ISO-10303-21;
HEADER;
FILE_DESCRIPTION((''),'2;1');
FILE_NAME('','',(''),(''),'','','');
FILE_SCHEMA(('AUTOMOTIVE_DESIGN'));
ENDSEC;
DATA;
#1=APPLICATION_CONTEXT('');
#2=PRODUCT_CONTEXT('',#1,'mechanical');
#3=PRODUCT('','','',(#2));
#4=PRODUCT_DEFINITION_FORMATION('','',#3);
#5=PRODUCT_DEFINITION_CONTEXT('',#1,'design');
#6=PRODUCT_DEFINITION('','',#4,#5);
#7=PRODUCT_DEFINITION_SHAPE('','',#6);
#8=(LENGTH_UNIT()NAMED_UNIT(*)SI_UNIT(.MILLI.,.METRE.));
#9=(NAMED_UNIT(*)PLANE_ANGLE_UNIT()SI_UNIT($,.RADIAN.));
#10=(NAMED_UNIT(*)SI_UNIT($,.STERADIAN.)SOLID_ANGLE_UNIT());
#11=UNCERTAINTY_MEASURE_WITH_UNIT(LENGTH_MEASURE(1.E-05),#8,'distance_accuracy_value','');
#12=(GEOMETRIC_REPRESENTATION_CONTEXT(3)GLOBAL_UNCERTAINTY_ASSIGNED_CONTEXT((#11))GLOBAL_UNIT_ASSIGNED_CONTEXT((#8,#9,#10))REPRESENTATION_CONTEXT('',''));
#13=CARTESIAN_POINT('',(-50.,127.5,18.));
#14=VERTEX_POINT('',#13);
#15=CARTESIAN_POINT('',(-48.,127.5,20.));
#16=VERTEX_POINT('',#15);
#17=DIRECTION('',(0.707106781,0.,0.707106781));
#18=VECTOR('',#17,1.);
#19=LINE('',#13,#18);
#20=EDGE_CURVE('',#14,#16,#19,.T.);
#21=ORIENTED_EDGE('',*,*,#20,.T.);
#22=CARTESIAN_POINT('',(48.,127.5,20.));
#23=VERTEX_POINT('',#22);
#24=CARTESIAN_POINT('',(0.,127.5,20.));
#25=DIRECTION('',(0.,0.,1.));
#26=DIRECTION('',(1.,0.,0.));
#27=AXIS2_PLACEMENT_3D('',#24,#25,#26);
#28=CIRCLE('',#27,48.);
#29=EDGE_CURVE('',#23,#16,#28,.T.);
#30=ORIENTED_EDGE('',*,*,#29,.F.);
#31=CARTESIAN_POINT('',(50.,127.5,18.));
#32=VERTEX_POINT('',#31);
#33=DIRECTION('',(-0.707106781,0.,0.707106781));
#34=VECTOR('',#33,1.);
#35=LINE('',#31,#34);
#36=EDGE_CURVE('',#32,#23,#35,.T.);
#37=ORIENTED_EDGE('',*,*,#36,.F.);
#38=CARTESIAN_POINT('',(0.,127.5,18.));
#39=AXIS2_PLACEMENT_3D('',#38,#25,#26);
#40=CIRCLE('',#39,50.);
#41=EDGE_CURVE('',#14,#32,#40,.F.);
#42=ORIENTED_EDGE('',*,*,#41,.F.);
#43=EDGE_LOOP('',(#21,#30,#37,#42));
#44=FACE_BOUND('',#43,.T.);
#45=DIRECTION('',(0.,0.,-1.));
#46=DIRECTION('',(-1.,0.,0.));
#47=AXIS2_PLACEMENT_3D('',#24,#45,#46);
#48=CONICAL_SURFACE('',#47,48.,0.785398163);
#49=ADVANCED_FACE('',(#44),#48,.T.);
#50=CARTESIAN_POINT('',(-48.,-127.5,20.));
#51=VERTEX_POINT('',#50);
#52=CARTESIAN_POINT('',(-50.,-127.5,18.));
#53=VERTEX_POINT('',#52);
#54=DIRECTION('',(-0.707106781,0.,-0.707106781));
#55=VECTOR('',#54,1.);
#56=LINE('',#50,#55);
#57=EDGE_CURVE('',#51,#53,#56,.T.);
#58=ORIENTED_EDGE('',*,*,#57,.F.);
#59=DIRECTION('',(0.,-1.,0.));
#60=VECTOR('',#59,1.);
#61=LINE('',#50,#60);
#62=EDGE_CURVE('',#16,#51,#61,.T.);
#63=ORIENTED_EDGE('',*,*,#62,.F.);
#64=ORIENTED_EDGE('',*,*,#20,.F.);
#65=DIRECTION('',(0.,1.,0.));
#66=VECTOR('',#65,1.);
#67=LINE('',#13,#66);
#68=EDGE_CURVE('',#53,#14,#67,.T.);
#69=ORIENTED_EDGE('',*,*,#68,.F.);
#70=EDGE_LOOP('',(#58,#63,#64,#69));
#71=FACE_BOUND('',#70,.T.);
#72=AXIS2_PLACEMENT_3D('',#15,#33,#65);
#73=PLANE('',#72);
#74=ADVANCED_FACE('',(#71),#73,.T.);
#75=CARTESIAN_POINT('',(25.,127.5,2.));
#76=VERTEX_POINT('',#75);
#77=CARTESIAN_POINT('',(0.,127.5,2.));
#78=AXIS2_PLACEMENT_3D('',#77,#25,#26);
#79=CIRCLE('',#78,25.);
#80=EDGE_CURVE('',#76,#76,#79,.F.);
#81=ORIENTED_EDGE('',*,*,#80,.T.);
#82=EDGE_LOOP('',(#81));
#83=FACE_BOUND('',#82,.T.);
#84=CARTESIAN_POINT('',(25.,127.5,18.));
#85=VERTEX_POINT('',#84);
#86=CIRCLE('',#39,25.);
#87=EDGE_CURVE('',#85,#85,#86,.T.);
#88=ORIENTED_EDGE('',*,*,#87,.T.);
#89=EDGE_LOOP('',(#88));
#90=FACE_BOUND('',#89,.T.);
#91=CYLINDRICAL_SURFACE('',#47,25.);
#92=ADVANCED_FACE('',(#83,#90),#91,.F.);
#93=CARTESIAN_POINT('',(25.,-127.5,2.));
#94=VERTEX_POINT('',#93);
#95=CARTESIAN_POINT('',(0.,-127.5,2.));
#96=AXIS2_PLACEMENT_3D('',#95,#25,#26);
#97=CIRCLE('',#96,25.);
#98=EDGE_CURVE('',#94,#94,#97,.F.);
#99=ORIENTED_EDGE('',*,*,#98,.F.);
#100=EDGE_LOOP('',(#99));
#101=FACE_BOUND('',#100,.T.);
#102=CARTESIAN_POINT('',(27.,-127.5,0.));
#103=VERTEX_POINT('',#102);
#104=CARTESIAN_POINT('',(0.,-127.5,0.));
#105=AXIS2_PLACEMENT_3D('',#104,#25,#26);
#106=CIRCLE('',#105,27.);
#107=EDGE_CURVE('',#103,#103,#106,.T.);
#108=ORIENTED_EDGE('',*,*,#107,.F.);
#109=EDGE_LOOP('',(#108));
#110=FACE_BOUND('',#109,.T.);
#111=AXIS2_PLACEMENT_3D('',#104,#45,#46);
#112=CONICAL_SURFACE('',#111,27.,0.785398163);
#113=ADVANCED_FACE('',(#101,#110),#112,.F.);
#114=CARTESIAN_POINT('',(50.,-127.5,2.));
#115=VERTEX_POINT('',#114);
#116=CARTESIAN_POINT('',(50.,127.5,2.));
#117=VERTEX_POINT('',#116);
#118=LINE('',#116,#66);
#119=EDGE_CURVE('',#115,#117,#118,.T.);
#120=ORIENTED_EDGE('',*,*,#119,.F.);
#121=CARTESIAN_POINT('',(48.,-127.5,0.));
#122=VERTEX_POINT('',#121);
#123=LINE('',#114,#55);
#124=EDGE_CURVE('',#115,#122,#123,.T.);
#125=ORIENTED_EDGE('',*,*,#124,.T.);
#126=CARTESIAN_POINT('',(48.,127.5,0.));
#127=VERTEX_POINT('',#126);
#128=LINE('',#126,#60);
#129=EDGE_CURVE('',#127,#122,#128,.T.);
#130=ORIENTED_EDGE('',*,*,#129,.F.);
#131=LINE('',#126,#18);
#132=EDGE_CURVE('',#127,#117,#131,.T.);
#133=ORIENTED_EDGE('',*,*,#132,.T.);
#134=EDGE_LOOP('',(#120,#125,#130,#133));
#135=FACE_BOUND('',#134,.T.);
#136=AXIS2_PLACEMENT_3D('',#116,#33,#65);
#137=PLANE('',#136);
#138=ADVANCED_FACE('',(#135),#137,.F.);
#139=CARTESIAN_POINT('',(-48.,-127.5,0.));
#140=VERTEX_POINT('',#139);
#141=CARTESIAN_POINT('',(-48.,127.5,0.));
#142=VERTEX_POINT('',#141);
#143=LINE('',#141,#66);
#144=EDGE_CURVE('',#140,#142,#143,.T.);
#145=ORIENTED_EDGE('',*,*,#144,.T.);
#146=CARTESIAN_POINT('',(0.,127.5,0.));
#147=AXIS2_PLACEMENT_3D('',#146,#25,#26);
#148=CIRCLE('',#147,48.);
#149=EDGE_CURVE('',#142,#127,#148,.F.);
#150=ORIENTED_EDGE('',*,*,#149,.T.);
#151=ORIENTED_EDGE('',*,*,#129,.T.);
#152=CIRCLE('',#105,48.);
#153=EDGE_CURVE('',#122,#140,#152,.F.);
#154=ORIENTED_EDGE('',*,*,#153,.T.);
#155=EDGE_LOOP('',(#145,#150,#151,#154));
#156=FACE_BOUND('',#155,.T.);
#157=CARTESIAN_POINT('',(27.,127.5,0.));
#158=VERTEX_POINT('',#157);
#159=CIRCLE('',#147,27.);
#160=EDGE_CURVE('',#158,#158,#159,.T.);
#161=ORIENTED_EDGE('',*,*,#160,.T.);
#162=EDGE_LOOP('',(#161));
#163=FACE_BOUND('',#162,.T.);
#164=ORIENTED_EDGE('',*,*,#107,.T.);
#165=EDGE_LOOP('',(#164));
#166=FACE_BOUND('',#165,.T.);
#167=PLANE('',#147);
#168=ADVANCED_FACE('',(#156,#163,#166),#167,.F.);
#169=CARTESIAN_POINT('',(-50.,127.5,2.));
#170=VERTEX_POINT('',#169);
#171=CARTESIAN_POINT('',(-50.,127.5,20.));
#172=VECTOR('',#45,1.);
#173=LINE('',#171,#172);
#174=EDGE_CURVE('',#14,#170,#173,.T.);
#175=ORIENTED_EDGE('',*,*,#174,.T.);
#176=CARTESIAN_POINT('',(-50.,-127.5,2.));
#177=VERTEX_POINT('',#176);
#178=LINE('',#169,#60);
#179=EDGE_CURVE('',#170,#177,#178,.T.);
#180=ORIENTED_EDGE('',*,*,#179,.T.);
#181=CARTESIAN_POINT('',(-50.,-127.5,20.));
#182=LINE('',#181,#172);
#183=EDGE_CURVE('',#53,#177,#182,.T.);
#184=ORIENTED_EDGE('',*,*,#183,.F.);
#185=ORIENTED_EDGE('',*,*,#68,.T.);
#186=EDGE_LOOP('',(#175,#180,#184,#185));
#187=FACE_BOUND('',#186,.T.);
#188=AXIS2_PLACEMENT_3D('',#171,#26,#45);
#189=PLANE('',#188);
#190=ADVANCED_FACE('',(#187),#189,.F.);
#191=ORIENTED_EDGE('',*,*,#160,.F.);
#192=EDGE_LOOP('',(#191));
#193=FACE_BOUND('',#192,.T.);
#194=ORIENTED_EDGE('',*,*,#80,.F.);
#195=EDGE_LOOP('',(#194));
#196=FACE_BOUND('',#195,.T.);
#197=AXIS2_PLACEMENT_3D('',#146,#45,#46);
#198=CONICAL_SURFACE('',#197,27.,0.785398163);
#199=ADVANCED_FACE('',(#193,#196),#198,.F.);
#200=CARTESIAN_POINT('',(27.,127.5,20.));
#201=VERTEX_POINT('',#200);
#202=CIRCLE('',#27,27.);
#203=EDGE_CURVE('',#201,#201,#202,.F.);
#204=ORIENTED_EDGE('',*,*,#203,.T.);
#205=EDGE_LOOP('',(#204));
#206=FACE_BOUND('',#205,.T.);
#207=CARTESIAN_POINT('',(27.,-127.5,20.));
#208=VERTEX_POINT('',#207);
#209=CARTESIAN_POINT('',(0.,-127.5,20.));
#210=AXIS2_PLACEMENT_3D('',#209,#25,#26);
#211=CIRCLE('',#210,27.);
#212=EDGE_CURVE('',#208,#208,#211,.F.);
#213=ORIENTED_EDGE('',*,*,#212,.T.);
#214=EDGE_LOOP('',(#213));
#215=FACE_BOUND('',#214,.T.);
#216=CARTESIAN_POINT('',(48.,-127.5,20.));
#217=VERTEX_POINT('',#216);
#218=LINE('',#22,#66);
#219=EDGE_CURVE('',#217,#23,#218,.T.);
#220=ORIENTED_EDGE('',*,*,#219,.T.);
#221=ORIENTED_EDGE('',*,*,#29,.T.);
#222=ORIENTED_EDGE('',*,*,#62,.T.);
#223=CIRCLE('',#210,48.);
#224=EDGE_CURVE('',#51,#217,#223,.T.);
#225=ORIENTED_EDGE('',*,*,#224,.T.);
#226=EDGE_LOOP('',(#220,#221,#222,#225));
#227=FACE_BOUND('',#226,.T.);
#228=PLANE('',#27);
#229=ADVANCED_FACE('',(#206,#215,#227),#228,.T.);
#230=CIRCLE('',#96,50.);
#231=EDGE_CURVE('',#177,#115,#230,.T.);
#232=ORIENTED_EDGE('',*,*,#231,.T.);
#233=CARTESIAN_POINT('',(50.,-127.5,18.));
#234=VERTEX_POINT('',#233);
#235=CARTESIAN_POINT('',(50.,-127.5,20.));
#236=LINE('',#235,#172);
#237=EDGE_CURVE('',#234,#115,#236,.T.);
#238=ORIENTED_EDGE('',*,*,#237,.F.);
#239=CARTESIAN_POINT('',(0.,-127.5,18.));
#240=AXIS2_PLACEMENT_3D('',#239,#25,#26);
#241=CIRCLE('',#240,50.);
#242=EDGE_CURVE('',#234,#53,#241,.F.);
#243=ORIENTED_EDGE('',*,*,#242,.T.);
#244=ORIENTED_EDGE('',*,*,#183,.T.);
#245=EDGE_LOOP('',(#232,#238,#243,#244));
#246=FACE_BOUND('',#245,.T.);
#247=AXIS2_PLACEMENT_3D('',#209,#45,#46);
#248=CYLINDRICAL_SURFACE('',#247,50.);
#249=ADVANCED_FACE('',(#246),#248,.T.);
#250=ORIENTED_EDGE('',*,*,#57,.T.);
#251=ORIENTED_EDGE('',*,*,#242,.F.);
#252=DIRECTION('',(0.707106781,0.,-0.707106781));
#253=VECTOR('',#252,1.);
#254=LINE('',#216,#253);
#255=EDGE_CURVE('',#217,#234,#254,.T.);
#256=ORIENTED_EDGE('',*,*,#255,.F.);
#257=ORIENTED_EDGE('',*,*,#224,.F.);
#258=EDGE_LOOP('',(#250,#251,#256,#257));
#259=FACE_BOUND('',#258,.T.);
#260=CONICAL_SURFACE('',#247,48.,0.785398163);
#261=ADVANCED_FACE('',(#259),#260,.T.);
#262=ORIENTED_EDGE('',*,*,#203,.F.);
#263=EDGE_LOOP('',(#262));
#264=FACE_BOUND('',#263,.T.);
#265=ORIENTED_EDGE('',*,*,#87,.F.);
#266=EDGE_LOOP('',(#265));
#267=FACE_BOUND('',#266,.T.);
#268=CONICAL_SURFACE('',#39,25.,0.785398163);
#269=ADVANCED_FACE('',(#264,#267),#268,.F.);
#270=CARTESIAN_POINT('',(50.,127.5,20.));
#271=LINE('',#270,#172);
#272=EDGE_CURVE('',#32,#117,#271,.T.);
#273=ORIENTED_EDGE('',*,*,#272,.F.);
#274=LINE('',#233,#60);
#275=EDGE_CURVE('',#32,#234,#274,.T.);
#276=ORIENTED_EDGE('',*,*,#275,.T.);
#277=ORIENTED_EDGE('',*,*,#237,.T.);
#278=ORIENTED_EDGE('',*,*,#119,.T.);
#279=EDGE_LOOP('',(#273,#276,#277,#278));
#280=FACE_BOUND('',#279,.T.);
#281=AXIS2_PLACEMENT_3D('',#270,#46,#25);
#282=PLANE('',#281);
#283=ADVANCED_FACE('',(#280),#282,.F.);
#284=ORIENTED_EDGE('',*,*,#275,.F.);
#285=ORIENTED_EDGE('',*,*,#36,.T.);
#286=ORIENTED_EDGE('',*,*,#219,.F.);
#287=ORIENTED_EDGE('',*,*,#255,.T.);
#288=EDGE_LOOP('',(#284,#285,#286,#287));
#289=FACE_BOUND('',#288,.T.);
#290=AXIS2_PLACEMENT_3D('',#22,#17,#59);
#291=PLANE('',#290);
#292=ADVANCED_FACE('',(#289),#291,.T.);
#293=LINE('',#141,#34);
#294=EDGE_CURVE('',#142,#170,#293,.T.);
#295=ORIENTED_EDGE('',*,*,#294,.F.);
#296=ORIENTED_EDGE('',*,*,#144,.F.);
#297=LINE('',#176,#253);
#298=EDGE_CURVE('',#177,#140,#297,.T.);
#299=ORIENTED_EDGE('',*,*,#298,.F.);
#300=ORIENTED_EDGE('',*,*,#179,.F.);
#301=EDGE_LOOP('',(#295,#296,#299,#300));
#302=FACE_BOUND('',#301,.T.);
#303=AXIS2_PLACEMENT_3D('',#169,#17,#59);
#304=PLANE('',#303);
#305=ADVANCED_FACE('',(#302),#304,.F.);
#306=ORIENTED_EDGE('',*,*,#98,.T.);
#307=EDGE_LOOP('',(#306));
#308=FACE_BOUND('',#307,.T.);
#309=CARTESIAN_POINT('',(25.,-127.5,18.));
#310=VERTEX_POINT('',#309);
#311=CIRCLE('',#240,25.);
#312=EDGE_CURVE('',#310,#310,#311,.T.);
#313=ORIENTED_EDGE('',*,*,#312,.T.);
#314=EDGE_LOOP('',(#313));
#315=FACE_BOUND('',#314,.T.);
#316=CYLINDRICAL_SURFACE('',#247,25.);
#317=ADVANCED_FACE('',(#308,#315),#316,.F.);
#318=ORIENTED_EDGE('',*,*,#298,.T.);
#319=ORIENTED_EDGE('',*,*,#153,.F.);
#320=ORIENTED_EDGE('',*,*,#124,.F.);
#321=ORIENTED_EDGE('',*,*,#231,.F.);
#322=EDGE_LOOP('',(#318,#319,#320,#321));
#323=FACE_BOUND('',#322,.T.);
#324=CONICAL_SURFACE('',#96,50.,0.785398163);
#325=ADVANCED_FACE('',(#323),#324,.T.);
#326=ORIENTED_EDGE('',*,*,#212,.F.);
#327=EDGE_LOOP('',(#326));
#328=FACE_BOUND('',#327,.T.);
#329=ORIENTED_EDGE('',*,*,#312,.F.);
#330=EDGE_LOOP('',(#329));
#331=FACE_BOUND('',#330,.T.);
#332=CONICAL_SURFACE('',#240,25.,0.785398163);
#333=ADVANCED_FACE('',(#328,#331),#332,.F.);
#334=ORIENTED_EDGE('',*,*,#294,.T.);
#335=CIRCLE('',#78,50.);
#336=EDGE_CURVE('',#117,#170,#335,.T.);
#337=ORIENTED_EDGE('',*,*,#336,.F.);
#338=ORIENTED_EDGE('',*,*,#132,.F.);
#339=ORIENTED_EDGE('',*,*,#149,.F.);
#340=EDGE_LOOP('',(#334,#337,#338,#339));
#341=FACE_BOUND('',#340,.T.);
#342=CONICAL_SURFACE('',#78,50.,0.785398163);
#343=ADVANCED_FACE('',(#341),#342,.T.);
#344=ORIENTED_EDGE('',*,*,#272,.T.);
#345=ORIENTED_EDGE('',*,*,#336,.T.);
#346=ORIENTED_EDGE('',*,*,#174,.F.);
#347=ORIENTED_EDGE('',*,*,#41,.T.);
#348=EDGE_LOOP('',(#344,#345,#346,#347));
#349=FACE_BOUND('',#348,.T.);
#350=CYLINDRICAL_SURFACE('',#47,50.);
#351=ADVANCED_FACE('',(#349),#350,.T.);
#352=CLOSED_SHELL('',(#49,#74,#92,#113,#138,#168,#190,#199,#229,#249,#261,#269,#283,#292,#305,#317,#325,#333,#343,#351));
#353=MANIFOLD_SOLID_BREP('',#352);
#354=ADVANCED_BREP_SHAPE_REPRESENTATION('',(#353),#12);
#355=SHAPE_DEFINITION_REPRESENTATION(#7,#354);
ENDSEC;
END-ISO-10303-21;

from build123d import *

# Parameters (mm, degrees)
SKETCH2_R           = 25
BOSS_EXTRUDE1_DEPTH = 20
CHAMFER1_SIZE       = 2


with BuildPart() as part:
    # Sketch2 → Boss-Extrude1 (new body)
    with BuildSketch(Plane.XY):
        with BuildLine():
            Line((50, 127.5), (50, -127.5))
            ThreePointArc((50, -127.5), (0, -177.5), (-50, -127.5))
            Line((-50, -127.5), (-50, 127.5))
            ThreePointArc((-50, 127.5), (0, 177.5), (50, 127.5))
        make_face()
        with Locations((0, 127.5)):
            Circle(SKETCH2_R, mode=Mode.SUBTRACT)
        with Locations((0, -127.5)):
            Circle(SKETCH2_R, mode=Mode.SUBTRACT)
    extrude(amount=BOSS_EXTRUDE1_DEPTH)

    # Chamfer1
    chamfer1_edges = [part.edges().sort_by_distance(p)[0] for p in [
        (-25, 127.5, 0),
        (-25, 127.5, 20),
        (0, -177.5, 20),
        (-25, -127.5, 0),
        (-25, -127.5, 20),
        (50, 0, 20),
        (0, 177.5, 20),
        (50, 0, 0),
        (0, -177.5, 0),
        (-50, 0, 0),
        (0, 177.5, 0),
        (-50, 0, 20),
    ]]
    chamfer(chamfer1_edges, length=CHAMFER1_SIZE)


solid = part.part
